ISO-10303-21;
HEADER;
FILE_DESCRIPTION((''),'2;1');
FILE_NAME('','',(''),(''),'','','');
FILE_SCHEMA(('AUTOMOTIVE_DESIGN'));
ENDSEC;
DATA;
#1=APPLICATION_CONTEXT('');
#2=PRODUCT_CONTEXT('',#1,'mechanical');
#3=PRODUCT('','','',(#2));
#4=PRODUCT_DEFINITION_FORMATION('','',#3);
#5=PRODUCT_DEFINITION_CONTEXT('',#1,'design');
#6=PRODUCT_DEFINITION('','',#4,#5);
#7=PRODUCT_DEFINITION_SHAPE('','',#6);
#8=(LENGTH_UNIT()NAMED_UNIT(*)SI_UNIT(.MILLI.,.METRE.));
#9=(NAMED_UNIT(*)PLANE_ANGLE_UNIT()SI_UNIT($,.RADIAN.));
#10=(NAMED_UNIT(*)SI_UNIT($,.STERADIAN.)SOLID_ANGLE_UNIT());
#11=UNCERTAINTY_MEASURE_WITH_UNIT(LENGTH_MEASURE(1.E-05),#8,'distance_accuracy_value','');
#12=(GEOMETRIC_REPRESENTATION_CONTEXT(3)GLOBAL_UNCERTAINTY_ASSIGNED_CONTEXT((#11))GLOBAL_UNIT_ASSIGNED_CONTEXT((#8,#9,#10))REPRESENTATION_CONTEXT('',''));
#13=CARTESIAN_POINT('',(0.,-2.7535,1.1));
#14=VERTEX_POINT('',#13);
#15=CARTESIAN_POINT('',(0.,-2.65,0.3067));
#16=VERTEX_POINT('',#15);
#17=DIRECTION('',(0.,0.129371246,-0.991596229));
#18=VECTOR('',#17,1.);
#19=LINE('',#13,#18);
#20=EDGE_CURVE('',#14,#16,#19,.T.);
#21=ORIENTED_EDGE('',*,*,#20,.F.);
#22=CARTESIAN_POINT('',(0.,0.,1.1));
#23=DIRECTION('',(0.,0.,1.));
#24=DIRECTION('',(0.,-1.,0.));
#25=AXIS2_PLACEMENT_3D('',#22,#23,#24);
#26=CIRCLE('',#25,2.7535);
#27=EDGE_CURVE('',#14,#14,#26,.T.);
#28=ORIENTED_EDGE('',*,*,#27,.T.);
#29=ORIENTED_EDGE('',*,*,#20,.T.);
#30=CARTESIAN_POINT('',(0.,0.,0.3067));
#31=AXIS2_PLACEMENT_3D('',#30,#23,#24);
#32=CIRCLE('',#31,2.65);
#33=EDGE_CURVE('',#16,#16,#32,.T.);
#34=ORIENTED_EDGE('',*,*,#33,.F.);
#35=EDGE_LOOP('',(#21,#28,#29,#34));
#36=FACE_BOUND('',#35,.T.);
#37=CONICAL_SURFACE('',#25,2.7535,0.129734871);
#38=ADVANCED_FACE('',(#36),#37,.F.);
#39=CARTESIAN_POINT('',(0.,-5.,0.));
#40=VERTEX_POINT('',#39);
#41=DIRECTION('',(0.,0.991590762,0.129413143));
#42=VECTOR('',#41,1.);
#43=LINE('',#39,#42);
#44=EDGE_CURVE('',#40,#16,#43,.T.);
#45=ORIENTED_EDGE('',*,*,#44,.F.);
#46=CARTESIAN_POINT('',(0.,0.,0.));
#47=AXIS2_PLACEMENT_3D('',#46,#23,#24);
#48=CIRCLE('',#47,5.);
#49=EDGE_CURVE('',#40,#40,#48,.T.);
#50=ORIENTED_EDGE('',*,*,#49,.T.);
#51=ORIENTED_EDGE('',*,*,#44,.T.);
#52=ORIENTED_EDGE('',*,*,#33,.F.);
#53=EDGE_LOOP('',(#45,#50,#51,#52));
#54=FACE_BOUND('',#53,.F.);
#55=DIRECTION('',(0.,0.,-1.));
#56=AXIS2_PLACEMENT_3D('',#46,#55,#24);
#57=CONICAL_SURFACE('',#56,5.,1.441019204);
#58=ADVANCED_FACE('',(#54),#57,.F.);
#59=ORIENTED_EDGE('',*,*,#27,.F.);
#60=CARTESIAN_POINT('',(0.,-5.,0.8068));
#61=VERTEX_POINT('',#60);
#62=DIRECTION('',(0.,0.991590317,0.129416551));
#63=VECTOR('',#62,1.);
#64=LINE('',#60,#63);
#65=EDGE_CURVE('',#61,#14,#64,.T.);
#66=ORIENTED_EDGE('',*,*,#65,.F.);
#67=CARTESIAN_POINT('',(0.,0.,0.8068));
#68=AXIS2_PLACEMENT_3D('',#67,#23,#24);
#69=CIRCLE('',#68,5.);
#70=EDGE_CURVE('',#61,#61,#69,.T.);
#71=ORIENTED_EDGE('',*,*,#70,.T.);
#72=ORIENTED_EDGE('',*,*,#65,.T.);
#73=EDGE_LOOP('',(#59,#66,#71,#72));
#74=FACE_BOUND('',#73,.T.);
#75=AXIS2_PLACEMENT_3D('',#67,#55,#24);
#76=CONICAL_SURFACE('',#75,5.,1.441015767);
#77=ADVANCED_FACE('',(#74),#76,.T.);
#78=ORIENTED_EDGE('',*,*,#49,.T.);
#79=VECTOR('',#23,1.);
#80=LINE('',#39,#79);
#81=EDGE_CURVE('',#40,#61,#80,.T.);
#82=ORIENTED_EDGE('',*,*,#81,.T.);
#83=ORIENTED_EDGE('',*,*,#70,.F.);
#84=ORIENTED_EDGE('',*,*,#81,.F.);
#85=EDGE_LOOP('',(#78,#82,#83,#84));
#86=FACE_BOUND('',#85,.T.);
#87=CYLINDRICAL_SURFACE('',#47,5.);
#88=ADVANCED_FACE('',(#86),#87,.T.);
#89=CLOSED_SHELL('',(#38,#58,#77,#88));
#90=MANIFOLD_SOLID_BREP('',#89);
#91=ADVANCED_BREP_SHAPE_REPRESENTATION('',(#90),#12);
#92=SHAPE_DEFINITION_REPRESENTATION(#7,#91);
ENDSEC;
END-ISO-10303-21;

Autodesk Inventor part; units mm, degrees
ref_plane "YZ Plane" through (0, 0, 0) normal (1, 0, 0) x (0, 1, 0)
ref_plane "XZ Plane" through (0, 0, 0) normal (0, 1, 0) x (-1, 0, 0)
sketch "Sketch" plane through (0, 0, 0) normal (1, 0, 0) x (0, 1, 0)
  line L0 (-5, 0) -> (-5, 0.8068)
  line L1 (-5, 0.8068) -> (-2.7535, 1.1)
  line L2 (-2.7535, 1.1) -> (-2.65, 0.3067)
  line L3 (-5, 0) -> (-2.65, 0.3067)
  line L4 (0, 0) -> (0, 8.521) construction
  dimension "d8" = 5
  dimension "d10" = 2.65
  dimension "d11" = 1.1
  dimension "d12" = 0.8
revolve "IDS_BODY" add sketch "Sketch" angle 360 about axis through (0, 0, 0) along (0, 0, 1)
ref_plane "Work Plane1" through (0, 0, 0) normal (1, 0, 0) x (0, 0, 1)
equation "\"d8\" = 0.5 * SD2"
equation "\"d10\" = 0.5 * SD1"
equation "\"d11\" = SH"
equation "\"d12\" = SD"
equation "\"SD1\" = 5.3"
equation "\"SD\" = 0.8"
equation "\"SH\" = 1.1"
equation "\"NND\" = 5"
equation "\"SD2\" = 10"
properties part number "JIS B 1251  - 5 1L" material "Steel, Mild"
